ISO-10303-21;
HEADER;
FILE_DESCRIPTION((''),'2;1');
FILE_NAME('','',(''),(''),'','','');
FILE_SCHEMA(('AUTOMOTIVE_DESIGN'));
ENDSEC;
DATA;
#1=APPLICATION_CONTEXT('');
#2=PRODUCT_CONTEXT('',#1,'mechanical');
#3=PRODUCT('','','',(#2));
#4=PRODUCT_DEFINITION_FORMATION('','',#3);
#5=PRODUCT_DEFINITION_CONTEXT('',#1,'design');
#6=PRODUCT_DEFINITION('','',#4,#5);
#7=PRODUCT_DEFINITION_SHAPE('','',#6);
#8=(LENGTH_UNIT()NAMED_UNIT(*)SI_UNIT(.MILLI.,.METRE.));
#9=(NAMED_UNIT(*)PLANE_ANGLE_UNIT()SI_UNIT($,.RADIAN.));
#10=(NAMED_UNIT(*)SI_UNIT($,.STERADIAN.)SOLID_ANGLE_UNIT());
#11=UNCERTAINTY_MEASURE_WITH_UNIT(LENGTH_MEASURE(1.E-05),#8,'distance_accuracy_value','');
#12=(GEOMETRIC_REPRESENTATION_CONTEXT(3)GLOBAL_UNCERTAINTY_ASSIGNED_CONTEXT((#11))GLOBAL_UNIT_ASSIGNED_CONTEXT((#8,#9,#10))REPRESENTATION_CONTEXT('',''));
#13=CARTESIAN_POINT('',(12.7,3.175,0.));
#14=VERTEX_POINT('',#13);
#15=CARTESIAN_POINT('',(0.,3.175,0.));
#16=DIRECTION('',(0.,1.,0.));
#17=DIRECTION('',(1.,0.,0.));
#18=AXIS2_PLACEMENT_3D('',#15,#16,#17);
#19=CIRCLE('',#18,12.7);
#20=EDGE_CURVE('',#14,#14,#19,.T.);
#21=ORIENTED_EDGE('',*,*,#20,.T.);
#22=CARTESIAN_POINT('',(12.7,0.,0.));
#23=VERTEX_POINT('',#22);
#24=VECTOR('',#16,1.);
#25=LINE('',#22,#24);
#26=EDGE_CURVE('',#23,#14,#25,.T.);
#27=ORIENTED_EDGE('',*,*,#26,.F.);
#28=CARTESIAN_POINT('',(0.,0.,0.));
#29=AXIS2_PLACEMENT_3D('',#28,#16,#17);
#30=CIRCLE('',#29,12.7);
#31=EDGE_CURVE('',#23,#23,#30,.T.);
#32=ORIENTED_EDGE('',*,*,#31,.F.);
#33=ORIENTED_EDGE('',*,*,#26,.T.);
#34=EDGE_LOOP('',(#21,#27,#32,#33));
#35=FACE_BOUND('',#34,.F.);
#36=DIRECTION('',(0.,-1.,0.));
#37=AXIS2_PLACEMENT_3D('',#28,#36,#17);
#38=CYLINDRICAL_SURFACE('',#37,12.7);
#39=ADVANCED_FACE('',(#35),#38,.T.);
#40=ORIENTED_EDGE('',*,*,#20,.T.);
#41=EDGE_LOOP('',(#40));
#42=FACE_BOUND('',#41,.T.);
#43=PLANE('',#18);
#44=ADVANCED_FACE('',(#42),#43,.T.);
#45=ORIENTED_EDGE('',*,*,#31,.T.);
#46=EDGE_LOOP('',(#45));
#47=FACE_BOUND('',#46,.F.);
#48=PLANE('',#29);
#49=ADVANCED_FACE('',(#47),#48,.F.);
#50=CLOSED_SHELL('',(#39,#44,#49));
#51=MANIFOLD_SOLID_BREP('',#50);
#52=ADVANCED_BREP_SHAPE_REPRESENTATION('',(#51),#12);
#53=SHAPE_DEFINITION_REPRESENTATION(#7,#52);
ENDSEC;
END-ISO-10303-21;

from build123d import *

# Parameters (mm, degrees)
X_Y_SERVO_MOUNT_SKETCH_R = 12.7
X_Y_SERVO_MOUNT_DEPTH    = 3.175


with BuildPart() as part:
    # X-Y Servo Mount Sketch → X-Y Servo Mount (new body)
    with BuildSketch(Plane(origin=(0, 0, 0), x_dir=(1, 0, 0), z_dir=(0, 1, 0))):
        Circle(X_Y_SERVO_MOUNT_SKETCH_R)
    extrude(amount=X_Y_SERVO_MOUNT_DEPTH)


solid = part.part
